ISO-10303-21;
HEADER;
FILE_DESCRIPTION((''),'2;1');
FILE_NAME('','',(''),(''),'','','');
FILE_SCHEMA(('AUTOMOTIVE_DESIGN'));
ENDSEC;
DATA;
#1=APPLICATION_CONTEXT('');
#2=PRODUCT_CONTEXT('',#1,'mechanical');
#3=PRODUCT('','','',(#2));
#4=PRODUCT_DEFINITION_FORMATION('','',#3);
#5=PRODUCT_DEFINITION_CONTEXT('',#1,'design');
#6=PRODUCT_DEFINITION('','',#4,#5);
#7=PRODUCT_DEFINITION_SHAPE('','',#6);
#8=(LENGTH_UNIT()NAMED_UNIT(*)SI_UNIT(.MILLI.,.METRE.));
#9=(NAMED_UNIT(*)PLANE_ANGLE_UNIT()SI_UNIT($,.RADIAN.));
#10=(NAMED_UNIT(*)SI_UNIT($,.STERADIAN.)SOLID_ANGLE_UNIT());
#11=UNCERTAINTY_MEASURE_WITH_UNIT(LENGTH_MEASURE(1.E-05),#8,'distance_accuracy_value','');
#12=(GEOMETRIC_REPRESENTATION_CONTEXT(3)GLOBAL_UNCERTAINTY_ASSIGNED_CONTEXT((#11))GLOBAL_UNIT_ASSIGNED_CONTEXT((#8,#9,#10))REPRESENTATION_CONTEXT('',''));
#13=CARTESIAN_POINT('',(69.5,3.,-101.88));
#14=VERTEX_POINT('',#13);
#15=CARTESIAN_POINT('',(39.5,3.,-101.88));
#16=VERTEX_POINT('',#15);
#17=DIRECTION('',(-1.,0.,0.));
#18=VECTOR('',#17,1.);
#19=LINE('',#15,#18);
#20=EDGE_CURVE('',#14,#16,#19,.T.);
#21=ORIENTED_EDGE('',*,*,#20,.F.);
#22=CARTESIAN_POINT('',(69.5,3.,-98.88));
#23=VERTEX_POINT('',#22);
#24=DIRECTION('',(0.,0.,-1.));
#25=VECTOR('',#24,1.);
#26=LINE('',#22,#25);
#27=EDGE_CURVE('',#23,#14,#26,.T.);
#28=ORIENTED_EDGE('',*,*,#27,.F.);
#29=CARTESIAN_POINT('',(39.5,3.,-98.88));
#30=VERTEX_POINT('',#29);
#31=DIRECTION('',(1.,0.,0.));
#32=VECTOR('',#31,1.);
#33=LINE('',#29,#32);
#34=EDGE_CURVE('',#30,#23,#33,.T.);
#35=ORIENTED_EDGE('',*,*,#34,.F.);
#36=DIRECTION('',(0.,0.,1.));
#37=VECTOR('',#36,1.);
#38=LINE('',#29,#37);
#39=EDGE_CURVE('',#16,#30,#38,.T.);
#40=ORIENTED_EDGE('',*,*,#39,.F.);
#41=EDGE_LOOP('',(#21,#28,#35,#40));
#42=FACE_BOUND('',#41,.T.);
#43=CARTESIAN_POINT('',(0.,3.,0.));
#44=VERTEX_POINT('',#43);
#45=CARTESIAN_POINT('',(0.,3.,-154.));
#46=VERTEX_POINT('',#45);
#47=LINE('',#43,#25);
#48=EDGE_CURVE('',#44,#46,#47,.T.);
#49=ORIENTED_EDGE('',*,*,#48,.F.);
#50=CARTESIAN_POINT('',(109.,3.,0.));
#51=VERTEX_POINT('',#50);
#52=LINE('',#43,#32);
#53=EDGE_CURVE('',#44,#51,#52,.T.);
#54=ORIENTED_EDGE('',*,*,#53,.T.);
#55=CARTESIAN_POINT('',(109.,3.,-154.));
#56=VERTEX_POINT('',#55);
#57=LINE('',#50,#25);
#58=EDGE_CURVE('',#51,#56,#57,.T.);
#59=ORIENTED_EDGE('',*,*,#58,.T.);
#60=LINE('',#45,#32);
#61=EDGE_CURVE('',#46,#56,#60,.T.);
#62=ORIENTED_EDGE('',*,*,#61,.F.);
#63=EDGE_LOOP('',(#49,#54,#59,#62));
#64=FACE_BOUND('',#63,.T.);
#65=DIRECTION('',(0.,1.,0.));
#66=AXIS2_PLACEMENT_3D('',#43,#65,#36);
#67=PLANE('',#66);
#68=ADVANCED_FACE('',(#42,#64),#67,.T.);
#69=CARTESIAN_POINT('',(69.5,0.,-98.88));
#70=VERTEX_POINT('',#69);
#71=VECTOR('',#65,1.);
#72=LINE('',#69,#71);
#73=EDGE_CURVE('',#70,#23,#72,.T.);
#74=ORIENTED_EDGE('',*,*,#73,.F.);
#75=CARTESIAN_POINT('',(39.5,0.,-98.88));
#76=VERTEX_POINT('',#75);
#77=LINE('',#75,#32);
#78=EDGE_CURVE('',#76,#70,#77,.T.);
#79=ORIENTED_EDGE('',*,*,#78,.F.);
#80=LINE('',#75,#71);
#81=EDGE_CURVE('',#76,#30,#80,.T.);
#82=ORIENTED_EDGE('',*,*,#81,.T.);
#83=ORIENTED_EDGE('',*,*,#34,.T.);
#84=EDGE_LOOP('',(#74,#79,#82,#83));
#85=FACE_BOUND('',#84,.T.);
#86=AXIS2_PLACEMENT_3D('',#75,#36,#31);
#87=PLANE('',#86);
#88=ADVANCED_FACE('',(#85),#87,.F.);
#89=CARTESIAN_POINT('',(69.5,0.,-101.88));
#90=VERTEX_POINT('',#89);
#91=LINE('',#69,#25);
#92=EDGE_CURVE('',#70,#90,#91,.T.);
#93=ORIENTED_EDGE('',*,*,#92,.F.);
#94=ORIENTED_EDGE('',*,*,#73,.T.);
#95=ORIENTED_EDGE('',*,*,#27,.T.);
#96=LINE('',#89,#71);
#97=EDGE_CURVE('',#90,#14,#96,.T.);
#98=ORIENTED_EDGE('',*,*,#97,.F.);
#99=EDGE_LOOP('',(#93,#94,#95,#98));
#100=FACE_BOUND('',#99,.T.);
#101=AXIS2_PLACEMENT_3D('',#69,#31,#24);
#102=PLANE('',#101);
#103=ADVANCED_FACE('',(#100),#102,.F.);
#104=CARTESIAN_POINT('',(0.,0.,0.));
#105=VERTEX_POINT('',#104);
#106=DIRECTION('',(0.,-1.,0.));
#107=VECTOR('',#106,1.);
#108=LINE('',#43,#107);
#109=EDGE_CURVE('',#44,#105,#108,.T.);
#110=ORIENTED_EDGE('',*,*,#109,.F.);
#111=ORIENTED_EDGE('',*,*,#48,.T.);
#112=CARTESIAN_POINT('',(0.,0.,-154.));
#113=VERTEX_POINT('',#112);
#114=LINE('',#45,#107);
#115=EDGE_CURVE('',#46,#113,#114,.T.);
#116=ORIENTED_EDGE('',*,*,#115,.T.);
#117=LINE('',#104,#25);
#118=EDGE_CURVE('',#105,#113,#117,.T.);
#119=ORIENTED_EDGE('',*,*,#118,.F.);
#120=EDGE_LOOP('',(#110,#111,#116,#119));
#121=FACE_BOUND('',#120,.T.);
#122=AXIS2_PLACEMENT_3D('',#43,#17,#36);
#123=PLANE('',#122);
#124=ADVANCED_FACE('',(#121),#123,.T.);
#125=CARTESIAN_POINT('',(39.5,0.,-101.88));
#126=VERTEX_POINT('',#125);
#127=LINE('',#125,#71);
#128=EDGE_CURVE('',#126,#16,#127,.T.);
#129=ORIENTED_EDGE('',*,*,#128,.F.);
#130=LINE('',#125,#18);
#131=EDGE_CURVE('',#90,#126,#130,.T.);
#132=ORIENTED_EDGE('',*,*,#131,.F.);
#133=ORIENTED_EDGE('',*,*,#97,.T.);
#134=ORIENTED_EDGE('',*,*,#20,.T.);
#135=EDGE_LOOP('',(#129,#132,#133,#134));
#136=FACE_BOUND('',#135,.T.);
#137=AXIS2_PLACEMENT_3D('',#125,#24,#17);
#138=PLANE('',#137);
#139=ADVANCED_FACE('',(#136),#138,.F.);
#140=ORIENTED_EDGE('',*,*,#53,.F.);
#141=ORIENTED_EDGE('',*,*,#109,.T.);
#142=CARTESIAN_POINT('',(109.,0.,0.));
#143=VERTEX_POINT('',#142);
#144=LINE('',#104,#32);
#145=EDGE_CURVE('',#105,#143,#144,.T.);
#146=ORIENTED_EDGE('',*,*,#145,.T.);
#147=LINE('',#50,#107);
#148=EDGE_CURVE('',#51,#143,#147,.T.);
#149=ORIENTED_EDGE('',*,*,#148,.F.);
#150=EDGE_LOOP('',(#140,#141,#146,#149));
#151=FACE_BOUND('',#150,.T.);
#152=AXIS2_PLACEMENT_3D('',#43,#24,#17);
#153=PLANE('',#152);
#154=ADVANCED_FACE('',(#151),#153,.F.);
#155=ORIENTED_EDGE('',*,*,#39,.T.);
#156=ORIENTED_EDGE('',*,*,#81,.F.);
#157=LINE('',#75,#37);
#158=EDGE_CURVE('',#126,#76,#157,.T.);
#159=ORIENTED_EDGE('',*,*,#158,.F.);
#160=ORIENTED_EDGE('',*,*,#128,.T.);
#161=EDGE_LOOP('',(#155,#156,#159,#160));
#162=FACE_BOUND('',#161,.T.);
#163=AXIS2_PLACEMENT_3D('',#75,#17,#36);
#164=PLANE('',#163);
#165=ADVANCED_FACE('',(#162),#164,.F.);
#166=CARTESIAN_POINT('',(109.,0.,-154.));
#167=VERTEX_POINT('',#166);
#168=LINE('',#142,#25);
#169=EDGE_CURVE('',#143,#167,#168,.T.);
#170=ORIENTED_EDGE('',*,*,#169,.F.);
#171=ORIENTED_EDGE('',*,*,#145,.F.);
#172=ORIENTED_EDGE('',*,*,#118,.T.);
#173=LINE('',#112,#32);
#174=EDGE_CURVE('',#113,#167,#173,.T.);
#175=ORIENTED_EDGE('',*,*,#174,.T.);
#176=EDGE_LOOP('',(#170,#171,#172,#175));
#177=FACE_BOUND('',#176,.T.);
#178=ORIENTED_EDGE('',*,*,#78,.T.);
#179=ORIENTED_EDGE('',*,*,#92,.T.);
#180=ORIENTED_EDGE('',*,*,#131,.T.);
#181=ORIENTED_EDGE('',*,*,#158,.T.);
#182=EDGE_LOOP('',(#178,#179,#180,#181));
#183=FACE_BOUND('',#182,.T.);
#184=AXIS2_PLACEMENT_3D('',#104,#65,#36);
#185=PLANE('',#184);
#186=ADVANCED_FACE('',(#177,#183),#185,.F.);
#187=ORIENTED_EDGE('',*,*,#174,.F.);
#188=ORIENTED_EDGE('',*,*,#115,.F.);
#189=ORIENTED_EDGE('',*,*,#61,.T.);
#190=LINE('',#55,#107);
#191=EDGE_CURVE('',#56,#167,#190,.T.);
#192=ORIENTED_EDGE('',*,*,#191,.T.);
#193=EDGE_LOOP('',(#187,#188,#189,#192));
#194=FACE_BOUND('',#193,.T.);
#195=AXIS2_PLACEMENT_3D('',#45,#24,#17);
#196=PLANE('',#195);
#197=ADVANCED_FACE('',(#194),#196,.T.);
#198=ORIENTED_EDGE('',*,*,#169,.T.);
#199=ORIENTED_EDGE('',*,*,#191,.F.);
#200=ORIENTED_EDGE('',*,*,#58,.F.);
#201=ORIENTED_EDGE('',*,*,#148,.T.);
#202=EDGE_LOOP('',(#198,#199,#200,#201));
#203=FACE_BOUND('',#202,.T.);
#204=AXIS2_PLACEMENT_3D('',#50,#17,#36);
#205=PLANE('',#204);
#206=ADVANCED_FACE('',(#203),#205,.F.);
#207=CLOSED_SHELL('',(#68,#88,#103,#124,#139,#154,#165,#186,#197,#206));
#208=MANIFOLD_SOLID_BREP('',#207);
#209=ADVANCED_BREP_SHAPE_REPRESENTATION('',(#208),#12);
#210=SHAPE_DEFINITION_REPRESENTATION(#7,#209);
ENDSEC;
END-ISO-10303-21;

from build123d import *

# Parameters (mm, degrees)
SKETCH1_W           = 109
SKETCH1_H           = 154
BOSS_EXTRUDE1_DEPTH = 3
SKETCH2_W           = 30
SKETCH2_H           = 3
CUT_EXTRUDE1_DEPTH  = 3


with BuildPart() as part:
    # Sketch1 → Boss-Extrude1 (new body)
    with BuildSketch(Plane(origin=(0, 0, 0), x_dir=(1, 0, 0), z_dir=(0, 1, 0))):
        with Locations((54.5, 77)):
            Rectangle(SKETCH1_W, SKETCH1_H)
    extrude(amount=BOSS_EXTRUDE1_DEPTH)

    # Sketch2 → Cut-Extrude1 (cut)
    with BuildSketch(Plane(origin=(0, 3, 0), x_dir=(1, 0, 0), z_dir=(0, 1, 0))):
        with Locations((54.5, 100.38)):
            Rectangle(SKETCH2_W, SKETCH2_H)
    extrude(amount=-CUT_EXTRUDE1_DEPTH, mode=Mode.SUBTRACT)


solid = part.part
